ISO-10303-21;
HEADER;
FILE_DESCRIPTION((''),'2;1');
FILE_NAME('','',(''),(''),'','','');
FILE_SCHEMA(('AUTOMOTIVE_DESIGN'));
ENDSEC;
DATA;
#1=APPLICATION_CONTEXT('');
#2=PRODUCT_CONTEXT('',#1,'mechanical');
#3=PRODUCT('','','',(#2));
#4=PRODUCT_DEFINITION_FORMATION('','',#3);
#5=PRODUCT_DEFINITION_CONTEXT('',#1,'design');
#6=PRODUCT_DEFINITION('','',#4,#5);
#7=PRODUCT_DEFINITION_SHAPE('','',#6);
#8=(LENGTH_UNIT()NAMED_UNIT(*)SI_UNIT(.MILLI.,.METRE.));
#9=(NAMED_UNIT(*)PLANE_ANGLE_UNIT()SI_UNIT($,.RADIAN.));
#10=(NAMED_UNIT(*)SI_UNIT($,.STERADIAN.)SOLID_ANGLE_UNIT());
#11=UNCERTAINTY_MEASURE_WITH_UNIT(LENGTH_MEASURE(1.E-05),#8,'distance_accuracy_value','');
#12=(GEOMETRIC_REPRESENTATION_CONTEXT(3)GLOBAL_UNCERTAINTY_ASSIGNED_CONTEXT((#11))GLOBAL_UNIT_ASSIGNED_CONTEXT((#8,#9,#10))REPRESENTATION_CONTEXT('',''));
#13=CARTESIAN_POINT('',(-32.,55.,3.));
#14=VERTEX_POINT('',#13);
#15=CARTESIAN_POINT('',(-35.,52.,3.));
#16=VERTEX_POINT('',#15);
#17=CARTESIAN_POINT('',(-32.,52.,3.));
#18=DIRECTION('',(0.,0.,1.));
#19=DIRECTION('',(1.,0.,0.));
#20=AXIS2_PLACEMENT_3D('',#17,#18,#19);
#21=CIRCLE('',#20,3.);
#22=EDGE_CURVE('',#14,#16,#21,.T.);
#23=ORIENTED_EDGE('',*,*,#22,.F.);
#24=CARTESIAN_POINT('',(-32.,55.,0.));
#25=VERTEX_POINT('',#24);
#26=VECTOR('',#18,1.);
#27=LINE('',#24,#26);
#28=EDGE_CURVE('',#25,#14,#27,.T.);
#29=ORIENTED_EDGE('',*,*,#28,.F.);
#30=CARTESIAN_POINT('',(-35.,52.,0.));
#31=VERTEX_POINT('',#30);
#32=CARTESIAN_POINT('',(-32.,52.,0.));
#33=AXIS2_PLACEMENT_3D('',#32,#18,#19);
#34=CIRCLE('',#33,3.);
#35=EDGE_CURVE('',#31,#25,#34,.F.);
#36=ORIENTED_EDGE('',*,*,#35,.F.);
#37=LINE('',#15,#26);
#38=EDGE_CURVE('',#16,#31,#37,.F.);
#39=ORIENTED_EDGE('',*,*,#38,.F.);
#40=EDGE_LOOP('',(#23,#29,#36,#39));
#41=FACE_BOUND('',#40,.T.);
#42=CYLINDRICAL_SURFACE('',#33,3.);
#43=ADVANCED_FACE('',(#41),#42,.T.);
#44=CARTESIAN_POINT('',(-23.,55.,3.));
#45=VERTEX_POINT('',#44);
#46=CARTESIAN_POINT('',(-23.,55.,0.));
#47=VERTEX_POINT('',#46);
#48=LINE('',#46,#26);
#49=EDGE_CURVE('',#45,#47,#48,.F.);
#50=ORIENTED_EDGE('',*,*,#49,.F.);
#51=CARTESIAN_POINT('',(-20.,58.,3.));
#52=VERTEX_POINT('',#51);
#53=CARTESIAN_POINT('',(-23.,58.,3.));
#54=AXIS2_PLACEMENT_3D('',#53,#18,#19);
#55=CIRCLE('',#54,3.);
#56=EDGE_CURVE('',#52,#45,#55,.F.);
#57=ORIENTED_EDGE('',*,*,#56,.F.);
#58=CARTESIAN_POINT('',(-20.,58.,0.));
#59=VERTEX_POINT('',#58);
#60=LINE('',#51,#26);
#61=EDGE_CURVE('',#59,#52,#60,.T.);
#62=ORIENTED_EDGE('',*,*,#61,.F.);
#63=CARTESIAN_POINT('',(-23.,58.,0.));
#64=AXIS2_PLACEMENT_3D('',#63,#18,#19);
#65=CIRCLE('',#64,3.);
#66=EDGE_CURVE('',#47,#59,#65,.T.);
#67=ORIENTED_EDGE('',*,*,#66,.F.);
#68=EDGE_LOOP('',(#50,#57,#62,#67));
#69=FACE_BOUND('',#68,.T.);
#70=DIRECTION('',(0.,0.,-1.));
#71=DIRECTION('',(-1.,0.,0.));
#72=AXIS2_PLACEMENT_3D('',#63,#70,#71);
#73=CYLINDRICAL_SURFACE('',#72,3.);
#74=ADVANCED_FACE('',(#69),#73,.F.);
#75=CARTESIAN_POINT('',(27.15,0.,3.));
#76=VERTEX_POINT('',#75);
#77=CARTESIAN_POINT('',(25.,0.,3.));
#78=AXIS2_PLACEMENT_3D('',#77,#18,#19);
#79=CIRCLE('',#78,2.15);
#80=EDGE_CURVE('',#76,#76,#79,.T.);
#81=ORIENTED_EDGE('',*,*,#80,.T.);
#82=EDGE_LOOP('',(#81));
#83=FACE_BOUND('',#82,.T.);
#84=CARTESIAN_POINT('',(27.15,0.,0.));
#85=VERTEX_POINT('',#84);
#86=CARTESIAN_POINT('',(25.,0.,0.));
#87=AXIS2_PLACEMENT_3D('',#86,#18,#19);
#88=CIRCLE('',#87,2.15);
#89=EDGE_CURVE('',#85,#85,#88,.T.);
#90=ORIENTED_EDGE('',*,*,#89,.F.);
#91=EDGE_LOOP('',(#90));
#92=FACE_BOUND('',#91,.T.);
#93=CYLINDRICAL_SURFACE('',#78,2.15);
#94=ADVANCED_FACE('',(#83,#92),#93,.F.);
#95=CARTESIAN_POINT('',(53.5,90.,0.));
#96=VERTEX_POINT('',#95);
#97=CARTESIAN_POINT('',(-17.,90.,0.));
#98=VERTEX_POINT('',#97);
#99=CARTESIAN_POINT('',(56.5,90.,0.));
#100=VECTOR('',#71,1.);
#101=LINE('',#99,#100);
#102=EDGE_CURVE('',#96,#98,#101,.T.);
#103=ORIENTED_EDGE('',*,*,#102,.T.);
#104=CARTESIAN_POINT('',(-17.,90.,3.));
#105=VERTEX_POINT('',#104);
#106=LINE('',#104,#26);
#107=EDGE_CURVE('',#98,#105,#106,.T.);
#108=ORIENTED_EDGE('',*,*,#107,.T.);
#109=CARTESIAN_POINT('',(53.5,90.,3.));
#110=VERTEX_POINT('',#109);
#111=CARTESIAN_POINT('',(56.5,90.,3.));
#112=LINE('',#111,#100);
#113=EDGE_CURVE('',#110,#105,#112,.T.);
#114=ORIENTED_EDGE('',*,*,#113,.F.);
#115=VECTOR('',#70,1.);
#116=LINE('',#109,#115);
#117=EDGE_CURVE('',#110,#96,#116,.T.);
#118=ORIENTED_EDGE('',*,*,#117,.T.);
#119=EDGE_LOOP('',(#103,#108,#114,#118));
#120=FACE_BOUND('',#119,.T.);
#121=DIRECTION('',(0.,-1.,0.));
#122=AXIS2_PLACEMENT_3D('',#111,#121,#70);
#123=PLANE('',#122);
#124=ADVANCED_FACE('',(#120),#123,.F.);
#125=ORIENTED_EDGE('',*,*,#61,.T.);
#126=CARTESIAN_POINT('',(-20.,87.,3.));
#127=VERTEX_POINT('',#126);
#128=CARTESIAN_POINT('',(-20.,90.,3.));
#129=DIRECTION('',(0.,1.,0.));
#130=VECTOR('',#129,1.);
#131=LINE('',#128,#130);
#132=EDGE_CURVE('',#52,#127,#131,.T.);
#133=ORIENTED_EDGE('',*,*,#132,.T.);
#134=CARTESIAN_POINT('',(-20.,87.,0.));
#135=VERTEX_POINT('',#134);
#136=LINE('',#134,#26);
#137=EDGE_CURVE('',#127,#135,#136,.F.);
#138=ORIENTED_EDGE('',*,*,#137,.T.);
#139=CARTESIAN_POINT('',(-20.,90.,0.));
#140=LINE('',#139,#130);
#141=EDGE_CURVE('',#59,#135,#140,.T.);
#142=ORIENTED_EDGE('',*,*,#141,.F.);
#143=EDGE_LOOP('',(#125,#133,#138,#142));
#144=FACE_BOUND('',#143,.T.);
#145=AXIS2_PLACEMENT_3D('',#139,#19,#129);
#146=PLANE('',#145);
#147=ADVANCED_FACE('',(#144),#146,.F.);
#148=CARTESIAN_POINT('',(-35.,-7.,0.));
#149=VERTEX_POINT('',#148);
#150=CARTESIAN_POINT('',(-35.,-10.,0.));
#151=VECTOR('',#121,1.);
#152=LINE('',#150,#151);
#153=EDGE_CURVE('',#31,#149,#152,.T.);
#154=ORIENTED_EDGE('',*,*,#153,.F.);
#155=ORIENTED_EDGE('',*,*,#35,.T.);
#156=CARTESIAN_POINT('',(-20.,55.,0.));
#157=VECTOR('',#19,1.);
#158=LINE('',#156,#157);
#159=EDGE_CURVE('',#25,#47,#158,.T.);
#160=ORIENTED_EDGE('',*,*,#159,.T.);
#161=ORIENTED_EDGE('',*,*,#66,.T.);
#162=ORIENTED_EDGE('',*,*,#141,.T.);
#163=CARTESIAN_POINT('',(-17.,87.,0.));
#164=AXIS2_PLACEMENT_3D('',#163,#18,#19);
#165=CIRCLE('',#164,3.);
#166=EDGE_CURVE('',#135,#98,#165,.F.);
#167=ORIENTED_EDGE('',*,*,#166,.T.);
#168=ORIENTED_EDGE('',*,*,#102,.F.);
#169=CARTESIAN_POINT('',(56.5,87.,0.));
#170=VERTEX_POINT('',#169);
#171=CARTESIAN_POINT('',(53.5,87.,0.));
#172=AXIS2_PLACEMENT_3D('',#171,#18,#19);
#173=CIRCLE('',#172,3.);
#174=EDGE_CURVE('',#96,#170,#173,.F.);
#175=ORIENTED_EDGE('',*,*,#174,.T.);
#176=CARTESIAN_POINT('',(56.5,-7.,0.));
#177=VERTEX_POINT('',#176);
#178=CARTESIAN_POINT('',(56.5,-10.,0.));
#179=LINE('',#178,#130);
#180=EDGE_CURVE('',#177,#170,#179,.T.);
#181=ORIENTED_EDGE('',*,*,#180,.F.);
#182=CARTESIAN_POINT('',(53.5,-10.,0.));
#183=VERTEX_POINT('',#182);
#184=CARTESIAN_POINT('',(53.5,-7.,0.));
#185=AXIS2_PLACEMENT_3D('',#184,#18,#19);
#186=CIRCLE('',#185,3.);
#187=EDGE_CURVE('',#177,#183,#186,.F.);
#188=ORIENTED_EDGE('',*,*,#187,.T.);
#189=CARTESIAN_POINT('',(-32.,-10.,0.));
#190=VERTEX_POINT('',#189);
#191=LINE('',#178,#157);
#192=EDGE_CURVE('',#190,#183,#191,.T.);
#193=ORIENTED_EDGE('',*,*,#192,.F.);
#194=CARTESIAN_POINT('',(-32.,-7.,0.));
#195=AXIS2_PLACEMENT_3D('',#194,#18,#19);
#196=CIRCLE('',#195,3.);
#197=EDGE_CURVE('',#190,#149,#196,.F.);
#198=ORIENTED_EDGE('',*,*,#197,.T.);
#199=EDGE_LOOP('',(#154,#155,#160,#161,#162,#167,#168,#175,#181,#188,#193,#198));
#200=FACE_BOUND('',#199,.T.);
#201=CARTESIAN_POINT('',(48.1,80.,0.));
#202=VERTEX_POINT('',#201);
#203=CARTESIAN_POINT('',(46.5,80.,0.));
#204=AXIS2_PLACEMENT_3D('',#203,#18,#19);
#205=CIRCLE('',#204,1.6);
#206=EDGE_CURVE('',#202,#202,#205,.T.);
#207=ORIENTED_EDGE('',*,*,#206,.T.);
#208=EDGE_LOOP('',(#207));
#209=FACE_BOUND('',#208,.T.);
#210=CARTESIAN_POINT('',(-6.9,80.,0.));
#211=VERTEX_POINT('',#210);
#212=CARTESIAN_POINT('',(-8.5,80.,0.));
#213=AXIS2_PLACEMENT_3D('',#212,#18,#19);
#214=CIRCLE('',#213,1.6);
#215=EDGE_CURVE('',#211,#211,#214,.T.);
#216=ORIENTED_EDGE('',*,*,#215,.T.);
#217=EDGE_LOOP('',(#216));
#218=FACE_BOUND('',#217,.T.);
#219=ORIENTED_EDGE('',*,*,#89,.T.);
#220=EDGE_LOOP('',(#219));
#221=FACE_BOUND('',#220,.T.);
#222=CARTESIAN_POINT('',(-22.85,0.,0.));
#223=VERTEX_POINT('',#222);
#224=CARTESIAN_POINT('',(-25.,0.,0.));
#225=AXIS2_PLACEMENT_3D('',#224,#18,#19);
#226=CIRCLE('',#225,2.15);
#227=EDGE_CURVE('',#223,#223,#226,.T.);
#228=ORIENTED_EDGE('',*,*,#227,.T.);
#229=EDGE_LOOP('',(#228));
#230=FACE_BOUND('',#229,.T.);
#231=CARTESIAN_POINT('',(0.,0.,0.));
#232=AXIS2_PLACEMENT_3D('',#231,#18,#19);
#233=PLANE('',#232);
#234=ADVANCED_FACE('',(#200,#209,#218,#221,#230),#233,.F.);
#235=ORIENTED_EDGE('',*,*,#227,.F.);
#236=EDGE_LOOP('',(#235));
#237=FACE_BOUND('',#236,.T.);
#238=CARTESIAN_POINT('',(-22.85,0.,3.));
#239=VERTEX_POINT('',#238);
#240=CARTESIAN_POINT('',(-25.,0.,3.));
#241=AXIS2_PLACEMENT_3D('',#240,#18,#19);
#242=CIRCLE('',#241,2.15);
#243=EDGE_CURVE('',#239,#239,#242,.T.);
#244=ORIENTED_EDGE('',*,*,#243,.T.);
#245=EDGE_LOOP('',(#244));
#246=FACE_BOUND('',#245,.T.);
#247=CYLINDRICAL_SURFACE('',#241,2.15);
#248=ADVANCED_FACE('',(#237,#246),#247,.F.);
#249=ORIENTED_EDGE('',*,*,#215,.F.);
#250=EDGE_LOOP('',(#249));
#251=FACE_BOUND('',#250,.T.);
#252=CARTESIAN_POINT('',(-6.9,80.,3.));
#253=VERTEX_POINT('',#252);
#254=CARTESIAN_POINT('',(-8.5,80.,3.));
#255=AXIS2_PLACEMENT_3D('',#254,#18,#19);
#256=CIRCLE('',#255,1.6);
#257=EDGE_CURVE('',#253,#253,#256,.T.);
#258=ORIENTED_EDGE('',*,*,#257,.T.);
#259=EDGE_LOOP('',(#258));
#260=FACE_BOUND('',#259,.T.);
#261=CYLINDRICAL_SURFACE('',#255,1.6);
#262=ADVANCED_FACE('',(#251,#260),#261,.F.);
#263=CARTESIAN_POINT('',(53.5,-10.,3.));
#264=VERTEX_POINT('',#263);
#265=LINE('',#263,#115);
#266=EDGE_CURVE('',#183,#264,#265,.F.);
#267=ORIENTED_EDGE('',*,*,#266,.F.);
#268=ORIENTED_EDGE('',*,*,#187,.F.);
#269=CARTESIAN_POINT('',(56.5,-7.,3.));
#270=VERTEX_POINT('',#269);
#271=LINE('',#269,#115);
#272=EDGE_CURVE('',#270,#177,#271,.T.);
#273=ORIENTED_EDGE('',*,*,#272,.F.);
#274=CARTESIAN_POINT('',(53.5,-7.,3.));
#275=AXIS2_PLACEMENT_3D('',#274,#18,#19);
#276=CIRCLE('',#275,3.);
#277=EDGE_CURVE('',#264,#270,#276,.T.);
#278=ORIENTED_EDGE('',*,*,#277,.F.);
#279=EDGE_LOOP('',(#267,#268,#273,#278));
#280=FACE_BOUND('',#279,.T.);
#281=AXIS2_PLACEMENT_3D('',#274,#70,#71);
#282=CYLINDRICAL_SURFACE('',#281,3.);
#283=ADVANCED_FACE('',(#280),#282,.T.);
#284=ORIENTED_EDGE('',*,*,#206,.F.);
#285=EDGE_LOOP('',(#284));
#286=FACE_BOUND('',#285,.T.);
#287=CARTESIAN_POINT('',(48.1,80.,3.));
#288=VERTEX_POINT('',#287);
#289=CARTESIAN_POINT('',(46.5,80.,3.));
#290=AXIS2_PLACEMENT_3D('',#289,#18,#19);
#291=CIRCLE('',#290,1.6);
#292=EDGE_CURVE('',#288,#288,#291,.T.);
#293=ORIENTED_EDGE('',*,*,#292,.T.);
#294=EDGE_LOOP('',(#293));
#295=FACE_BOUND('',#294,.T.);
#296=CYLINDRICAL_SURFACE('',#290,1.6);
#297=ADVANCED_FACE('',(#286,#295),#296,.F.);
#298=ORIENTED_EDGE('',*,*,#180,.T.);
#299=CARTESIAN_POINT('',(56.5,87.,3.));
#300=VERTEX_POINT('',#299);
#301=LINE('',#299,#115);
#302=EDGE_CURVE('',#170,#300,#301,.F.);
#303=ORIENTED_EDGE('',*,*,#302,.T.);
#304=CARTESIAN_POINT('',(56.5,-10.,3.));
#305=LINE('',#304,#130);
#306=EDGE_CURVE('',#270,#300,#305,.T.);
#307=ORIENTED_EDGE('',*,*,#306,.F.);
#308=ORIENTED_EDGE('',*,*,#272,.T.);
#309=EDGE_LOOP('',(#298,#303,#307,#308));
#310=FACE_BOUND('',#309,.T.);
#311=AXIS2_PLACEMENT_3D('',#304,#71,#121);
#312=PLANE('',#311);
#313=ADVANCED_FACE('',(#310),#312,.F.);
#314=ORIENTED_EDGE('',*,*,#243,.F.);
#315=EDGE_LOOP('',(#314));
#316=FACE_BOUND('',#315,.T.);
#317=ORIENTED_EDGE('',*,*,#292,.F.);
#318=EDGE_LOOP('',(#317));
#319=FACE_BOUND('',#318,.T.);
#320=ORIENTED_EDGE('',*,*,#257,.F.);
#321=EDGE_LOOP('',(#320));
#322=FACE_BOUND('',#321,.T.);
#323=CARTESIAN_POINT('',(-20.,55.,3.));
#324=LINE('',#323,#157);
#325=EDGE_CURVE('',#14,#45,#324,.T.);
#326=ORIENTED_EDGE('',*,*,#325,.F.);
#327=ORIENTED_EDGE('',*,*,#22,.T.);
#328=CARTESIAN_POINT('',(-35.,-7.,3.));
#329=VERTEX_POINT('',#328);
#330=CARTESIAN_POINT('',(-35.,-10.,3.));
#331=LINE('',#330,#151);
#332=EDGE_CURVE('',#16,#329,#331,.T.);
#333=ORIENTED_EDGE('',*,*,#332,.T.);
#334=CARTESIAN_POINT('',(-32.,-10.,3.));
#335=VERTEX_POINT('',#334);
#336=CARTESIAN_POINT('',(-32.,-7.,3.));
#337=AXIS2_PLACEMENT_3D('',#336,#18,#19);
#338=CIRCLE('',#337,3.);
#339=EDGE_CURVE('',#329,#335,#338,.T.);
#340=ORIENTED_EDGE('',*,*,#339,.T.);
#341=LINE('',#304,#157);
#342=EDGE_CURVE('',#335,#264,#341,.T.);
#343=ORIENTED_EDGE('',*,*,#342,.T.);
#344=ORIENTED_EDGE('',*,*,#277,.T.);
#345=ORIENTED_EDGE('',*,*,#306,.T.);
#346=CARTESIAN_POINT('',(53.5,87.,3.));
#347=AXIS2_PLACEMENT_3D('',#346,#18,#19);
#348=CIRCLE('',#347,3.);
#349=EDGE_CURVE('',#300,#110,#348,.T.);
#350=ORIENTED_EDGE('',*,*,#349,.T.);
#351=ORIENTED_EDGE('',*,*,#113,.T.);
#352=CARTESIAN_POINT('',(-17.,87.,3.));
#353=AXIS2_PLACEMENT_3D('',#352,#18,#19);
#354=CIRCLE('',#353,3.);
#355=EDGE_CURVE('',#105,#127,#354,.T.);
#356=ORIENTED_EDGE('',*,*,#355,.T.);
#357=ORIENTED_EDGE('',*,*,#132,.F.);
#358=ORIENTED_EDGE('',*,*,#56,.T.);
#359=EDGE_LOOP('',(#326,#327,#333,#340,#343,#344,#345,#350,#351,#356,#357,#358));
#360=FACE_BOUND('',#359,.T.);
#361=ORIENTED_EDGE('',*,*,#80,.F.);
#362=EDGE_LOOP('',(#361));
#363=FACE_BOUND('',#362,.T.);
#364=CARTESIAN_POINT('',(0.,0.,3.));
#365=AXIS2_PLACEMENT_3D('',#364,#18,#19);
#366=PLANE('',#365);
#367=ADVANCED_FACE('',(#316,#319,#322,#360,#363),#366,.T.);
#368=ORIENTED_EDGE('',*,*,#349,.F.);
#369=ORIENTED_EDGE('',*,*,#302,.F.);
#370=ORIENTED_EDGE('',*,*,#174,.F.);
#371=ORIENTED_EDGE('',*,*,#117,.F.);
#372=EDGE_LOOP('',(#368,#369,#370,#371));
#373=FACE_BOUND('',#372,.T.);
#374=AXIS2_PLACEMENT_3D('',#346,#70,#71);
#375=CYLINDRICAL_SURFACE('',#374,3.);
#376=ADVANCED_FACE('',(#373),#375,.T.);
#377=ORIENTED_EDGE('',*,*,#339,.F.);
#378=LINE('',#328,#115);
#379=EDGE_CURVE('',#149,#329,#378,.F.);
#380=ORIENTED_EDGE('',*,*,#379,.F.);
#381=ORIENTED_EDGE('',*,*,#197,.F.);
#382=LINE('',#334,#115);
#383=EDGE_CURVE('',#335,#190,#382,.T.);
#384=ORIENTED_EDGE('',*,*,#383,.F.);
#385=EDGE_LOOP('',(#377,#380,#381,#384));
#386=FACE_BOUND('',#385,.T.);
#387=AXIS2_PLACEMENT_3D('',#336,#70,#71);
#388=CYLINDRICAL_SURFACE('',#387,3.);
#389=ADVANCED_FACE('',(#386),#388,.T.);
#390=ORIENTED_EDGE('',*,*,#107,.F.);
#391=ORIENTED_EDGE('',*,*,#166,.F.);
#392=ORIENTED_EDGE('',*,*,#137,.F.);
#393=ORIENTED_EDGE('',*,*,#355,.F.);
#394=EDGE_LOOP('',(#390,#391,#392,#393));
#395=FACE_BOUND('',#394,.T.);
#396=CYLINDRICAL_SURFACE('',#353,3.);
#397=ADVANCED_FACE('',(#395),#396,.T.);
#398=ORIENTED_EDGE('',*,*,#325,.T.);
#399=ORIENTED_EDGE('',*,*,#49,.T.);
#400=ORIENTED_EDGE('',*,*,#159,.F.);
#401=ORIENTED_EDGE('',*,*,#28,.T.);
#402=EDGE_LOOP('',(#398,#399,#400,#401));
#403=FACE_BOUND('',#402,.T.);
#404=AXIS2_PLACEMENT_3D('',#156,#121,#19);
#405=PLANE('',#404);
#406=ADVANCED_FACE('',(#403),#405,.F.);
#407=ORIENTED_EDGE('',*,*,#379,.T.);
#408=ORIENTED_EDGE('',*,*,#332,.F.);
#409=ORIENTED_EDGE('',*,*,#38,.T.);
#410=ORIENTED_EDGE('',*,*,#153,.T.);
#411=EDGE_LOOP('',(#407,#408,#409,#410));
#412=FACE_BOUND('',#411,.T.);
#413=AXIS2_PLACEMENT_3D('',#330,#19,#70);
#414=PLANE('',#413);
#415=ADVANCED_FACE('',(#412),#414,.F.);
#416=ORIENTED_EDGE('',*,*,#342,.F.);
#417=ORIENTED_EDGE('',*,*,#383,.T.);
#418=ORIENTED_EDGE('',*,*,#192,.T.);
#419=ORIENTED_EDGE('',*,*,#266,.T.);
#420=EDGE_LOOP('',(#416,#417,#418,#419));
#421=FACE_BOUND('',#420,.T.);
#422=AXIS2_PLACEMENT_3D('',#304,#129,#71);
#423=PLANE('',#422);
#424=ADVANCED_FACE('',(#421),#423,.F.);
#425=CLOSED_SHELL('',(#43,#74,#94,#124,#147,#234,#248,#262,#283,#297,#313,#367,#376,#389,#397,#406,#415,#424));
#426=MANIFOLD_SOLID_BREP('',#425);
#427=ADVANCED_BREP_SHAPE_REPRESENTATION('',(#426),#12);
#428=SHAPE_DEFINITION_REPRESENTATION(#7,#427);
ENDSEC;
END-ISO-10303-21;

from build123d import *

# Parameters (mm, degrees)
SKETCH1_W            = 91.5
SKETCH1_H            = 100
BOSS_EXTRUDE1_DEPTH  = 3
M4_CLEARANCE_HOLE1_D = 4.3
M3_CLEARANCE_HOLE1_D = 3.2
SKETCH6_W            = 15
SKETCH6_H            = 35
CUT_EXTRUDE1_DEPTH   = 107.30733747
FILLET1_R            = 3


with BuildPart() as part:
    # Sketch1 → Boss-Extrude1 (new body)
    with BuildSketch(Plane.XY):
        with Locations((10.75, 40)):
            Rectangle(SKETCH1_W, SKETCH1_H)
    extrude(amount=BOSS_EXTRUDE1_DEPTH)

    # M4 Clearance Hole1 (through all)
    with Locations(Plane.XY.offset(3)):
        with Locations((-25, 0), (25, 0)):
            Hole(M4_CLEARANCE_HOLE1_D / 2)

    # M3 Clearance Hole1 (through all)
    with Locations(Plane.XY.offset(3)):
        with Locations((-8.5, 80), (46.5, 80)):
            Hole(M3_CLEARANCE_HOLE1_D / 2)

    # Sketch6 → Cut-Extrude1 (cut, through all)
    with BuildSketch(Plane.XY.offset(3)):
        with Locations((-27.5, 72.5)):
            Rectangle(SKETCH6_W, SKETCH6_H)
    extrude(amount=-CUT_EXTRUDE1_DEPTH, mode=Mode.SUBTRACT)

    # Fillet1
    fillet1_edges = [part.edges().sort_by_distance(p)[0] for p in [
        (-20, 90, 1.5),
        (-20, 55, 1.5),
        (-35, 55, 1.5),
        (56.5, 90, 1.5),
        (56.5, -10, 1.5),
        (-35, -10, 1.5),
    ]]
    fillet(fillet1_edges, radius=FILLET1_R)


solid = part.part
